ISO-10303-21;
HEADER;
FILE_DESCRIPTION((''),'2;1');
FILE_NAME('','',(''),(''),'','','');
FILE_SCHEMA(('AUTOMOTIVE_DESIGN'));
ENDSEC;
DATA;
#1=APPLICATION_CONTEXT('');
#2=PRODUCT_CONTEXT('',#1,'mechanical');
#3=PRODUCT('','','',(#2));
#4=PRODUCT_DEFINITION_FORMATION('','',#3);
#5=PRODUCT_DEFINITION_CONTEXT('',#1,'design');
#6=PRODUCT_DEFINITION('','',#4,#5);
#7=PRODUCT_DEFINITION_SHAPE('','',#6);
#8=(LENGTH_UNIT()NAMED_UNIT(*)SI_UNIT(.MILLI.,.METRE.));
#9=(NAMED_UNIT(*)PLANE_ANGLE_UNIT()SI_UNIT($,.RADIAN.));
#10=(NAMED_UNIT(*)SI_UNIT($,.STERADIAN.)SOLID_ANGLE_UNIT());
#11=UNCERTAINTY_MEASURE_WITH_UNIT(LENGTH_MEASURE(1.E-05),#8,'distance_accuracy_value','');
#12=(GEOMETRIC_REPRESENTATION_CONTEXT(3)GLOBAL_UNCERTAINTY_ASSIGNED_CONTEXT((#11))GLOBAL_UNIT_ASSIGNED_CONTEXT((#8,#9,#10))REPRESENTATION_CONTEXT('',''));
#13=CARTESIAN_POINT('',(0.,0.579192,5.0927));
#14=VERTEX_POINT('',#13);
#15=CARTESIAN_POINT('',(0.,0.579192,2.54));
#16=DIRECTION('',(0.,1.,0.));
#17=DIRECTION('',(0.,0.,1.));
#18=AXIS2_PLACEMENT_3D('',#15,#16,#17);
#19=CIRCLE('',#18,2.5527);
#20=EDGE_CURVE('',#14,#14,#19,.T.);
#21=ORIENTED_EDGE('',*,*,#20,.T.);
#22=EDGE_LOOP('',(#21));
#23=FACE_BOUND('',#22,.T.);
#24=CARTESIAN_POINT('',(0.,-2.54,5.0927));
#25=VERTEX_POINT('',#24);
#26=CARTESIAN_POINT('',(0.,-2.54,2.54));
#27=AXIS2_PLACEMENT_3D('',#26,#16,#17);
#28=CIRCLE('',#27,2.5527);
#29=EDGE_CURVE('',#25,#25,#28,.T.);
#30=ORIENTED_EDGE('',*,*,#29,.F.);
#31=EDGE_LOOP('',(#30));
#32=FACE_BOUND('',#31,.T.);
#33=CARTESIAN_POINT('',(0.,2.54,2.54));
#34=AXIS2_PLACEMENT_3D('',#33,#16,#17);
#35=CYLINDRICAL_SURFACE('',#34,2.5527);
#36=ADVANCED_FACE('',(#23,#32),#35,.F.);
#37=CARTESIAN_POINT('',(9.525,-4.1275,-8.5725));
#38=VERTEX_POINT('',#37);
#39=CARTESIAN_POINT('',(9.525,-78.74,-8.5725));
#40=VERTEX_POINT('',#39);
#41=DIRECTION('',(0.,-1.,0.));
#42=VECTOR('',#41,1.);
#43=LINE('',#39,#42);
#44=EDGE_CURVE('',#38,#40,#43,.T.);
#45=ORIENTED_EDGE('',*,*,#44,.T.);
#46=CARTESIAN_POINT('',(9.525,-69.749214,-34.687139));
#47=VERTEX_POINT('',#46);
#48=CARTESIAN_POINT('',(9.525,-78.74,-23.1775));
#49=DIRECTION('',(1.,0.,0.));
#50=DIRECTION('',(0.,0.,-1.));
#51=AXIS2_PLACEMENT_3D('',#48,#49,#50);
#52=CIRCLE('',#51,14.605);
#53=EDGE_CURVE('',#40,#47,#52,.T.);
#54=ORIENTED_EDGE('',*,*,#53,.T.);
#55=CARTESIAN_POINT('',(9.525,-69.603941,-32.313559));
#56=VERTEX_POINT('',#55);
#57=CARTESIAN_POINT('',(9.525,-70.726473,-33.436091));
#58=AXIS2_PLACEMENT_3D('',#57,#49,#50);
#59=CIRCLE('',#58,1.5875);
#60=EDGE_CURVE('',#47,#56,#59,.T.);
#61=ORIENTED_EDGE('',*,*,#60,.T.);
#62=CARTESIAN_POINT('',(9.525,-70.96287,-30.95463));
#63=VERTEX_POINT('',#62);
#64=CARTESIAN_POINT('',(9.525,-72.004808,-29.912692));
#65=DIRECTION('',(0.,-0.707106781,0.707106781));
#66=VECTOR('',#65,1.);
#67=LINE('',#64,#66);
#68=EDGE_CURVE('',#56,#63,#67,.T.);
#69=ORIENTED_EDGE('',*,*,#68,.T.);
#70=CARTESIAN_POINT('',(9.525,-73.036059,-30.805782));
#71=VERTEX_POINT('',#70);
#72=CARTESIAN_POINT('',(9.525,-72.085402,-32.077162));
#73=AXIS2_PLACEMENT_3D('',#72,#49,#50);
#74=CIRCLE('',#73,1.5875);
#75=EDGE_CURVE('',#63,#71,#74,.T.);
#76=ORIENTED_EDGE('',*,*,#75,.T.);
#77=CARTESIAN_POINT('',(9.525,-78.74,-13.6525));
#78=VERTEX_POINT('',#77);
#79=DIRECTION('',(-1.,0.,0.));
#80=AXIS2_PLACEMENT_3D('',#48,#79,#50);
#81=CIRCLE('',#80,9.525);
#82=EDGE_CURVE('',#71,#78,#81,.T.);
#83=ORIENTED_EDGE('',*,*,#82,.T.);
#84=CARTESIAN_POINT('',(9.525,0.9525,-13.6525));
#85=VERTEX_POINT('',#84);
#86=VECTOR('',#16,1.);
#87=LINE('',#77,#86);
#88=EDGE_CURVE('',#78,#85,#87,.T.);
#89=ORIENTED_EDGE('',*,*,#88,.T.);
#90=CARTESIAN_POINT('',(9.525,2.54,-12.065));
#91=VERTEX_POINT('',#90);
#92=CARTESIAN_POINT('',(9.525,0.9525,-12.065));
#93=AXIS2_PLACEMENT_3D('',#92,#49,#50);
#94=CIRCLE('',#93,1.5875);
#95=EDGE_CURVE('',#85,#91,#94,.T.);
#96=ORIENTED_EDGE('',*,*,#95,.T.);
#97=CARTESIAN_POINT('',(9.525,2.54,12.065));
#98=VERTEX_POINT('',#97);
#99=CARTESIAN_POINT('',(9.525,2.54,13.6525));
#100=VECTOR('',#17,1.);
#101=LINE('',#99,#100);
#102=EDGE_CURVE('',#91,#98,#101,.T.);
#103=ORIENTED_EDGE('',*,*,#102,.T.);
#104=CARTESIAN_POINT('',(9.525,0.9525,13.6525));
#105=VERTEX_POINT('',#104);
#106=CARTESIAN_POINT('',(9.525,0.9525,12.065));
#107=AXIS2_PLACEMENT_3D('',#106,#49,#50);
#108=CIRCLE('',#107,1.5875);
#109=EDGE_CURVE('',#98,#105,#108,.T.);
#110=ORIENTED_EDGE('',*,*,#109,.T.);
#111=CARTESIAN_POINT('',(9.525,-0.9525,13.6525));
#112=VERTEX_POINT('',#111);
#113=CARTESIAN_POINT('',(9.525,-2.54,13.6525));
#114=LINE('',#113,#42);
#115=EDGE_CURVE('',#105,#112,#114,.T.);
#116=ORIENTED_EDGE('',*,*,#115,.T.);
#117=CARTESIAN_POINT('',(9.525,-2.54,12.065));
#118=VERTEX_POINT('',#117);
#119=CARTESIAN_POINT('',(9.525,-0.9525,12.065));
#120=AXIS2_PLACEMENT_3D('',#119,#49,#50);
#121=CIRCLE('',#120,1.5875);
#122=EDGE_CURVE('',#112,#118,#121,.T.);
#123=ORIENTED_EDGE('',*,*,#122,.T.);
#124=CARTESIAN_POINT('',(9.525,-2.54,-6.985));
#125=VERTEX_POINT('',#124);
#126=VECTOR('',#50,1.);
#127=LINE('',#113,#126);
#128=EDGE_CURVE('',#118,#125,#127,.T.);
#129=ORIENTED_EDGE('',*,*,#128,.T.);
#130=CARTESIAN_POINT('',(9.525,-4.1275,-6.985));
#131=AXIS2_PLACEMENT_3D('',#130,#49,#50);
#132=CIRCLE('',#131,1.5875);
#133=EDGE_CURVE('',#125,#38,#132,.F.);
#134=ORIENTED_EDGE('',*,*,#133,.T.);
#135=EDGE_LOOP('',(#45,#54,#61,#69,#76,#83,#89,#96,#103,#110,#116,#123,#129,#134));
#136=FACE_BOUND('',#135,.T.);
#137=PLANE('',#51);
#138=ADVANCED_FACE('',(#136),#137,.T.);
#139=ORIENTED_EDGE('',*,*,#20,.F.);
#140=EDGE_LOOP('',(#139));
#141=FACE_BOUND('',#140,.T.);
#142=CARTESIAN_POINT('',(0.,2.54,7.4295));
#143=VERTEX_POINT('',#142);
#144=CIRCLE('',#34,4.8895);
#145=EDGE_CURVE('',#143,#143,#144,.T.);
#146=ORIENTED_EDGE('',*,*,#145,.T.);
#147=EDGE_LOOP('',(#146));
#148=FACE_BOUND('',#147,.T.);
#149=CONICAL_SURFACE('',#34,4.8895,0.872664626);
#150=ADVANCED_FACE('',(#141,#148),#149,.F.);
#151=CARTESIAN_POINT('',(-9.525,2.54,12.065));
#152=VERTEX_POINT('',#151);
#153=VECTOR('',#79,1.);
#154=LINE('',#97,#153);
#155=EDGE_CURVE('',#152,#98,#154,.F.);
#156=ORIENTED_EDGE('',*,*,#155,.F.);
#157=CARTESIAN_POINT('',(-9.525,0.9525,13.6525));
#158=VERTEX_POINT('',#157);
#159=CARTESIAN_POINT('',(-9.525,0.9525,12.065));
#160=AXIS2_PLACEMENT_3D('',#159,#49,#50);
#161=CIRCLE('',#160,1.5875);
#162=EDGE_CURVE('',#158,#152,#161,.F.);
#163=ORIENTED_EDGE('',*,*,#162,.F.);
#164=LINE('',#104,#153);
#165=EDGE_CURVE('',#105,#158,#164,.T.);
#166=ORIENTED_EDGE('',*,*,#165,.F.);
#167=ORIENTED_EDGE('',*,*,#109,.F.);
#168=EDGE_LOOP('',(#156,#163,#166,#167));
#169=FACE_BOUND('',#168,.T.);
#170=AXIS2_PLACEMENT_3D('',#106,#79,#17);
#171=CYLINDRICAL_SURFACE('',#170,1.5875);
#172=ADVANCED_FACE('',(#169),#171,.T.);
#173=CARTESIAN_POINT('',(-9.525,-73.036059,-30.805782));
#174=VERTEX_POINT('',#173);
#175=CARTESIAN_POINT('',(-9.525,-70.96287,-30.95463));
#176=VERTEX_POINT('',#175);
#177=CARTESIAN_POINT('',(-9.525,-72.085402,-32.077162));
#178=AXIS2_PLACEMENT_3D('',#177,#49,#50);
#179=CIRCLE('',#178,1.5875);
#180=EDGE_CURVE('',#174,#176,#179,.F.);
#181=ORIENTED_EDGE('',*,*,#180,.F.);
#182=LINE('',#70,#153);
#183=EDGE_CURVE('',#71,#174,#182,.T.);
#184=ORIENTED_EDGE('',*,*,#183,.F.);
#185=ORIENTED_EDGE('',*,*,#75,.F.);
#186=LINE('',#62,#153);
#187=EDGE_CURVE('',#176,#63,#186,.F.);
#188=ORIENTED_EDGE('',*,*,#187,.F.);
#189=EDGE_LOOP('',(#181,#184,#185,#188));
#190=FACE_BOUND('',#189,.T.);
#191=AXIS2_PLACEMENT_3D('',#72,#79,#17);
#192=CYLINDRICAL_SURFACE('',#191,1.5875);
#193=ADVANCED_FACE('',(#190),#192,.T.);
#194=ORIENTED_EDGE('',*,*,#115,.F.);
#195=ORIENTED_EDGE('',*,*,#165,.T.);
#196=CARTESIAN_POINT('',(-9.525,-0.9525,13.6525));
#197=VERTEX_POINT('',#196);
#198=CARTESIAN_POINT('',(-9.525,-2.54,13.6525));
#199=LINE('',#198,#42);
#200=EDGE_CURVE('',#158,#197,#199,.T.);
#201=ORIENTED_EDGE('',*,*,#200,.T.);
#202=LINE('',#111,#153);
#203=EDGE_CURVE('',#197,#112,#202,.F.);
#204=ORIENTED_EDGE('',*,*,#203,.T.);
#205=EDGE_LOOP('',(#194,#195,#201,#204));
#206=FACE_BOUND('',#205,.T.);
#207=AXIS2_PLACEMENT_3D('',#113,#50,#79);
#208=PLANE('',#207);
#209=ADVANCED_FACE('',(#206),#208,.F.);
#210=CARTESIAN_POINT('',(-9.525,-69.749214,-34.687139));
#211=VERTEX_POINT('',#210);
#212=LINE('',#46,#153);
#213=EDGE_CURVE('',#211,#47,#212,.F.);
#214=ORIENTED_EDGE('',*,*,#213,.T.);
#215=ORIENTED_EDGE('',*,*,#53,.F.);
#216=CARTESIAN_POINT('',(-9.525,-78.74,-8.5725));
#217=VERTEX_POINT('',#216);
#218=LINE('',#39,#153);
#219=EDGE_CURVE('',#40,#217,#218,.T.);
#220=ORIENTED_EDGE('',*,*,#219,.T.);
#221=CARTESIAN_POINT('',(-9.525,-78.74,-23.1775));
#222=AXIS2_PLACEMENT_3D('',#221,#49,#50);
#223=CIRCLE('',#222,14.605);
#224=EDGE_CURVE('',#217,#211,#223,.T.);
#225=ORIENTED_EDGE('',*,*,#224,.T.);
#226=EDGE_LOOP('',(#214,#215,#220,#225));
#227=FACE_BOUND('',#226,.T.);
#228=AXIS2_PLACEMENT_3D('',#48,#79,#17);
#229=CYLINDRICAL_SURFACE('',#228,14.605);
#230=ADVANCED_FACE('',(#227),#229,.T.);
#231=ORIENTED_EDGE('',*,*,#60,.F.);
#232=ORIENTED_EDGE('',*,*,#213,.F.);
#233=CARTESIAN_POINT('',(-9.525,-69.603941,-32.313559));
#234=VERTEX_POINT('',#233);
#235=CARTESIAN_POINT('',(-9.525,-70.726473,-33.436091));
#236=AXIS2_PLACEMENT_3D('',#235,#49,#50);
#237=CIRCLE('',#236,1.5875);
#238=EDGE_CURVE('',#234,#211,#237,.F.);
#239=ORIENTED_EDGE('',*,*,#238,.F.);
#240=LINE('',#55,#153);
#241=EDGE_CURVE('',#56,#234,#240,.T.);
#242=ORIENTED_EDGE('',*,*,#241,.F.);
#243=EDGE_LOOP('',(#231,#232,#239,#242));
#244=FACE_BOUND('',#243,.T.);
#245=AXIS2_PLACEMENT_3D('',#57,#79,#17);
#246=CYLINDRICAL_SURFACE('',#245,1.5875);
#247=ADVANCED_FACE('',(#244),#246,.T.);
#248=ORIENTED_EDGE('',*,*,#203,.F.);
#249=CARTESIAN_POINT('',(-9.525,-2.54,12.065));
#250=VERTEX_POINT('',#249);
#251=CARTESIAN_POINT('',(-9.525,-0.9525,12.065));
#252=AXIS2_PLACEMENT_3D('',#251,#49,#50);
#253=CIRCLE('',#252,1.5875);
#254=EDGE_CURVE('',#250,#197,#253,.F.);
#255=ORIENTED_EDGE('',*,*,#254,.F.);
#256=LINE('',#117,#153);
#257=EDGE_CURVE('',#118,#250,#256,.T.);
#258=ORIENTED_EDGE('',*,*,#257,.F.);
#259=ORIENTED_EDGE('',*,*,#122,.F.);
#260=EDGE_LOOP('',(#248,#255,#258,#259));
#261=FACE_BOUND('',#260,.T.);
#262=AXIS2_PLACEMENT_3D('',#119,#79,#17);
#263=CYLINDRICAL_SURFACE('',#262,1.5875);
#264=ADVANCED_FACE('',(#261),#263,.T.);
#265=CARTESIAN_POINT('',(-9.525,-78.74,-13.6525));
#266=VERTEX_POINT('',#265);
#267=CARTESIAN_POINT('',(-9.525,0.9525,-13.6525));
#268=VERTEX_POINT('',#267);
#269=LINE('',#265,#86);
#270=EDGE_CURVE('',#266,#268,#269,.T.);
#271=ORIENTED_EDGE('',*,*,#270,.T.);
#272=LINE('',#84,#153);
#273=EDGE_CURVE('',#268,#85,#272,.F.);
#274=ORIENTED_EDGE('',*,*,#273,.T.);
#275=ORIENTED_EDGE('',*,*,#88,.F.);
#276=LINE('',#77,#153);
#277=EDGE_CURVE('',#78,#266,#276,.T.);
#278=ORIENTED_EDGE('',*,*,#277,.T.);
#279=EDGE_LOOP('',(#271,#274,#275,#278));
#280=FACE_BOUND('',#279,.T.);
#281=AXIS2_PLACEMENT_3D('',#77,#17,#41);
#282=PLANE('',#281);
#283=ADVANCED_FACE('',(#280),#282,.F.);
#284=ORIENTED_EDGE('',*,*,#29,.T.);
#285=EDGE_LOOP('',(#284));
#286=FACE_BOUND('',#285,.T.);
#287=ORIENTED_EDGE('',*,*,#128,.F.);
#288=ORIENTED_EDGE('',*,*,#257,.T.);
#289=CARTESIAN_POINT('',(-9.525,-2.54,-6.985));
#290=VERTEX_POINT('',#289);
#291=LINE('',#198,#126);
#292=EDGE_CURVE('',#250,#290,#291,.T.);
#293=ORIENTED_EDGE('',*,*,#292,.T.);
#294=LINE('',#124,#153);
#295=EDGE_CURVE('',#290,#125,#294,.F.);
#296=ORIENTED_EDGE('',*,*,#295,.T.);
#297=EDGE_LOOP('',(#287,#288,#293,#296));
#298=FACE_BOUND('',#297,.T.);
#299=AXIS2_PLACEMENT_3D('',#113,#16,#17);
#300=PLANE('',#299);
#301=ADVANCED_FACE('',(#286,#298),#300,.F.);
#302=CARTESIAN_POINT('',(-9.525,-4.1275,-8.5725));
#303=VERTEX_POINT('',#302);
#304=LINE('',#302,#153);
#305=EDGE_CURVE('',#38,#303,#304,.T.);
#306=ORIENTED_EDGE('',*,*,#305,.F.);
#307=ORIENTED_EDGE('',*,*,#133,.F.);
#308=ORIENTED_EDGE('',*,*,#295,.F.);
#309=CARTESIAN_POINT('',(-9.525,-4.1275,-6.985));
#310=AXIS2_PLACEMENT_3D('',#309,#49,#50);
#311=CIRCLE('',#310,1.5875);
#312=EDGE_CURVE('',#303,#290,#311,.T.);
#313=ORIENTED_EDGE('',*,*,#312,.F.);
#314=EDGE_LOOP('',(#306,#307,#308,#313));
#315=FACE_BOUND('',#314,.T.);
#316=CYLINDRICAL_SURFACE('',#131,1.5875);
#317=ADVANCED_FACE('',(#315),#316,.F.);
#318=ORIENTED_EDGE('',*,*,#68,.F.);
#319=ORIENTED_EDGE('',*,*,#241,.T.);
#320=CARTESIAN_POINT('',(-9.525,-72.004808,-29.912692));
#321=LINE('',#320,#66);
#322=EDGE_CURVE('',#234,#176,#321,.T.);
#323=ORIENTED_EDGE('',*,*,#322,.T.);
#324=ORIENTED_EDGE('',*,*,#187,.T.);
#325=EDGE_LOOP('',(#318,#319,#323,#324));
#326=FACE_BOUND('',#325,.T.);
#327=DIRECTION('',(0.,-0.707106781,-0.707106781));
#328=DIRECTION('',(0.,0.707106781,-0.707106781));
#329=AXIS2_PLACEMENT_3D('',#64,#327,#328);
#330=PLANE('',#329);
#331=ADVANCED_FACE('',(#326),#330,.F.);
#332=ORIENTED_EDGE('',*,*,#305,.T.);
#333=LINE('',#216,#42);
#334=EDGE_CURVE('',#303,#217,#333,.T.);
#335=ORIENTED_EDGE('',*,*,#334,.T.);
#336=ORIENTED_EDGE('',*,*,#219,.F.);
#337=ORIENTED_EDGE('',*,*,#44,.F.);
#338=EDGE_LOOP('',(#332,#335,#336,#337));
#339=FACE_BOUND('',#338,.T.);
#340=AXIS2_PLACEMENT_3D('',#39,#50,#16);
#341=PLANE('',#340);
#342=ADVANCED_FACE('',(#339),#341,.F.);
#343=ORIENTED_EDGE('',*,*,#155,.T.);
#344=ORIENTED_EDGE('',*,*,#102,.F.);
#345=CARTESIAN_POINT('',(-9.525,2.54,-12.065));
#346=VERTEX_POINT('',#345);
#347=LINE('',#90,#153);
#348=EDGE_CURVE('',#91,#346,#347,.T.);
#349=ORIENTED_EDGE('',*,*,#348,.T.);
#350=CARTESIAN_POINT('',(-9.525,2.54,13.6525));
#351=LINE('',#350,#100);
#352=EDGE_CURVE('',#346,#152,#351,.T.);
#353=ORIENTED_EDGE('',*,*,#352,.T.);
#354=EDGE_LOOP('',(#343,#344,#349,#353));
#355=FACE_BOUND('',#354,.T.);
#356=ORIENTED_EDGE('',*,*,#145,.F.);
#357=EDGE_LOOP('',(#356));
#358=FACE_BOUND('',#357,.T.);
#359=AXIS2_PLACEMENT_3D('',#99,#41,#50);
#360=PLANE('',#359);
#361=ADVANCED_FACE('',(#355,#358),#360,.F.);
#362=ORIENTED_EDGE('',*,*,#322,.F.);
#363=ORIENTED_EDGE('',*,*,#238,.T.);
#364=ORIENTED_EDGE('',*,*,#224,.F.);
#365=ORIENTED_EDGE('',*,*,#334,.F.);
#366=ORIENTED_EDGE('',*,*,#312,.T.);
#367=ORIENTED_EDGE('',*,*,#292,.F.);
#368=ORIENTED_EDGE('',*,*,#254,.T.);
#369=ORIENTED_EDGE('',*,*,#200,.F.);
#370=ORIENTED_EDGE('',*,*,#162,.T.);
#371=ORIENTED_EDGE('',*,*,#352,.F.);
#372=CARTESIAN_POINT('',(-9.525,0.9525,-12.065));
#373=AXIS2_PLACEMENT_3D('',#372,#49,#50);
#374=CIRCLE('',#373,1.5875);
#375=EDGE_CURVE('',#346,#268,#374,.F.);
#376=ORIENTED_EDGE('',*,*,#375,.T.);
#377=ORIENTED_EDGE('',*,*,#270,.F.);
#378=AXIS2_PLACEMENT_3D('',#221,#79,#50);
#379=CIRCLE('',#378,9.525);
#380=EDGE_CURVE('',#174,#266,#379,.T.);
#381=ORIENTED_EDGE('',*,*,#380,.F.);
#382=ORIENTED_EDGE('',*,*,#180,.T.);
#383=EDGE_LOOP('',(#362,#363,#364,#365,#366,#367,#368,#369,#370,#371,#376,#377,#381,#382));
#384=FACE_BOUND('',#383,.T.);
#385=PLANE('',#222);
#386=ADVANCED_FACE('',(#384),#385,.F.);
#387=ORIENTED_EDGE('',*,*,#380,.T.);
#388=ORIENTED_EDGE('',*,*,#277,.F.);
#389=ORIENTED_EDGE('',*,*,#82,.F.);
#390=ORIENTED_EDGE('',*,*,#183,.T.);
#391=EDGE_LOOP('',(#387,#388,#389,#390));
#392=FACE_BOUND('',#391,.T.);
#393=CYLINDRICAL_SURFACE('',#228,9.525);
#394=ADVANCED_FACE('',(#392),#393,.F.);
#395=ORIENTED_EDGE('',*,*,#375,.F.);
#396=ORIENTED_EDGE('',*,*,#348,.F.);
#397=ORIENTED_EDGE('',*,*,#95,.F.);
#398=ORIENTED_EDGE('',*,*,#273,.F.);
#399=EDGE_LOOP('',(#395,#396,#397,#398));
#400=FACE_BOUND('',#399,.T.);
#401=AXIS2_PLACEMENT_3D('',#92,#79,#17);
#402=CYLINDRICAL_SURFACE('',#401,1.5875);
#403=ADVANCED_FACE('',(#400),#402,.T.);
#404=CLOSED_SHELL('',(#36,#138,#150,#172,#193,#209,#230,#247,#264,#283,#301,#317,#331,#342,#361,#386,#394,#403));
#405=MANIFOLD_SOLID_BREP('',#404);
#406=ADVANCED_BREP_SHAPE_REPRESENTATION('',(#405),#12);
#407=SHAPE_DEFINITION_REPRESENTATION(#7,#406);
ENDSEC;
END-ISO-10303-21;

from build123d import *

# Parameters (mm, degrees)
BOSS_EXTRUDE1_DEPTH                                = 9.525
FILLET1_R                                          = 1.5875
CSK_FOR_10_FLAT_HEAD_MACHINE_SCREW_100_D           = 5.1054
CSK_FOR_10_FLAT_HEAD_MACHINE_SCREW_100_CSINK_D     = 9.779
CSK_FOR_10_FLAT_HEAD_MACHINE_SCREW_100_CSINK_ANGLE = 100


with BuildPart() as part:
    # Sketch1 → Boss-Extrude1 (new body, symmetric)
    with BuildSketch(Plane(origin=(0, 0, 0), x_dir=(0, 0, -1), z_dir=(1, 0, 0))):
        with BuildLine():
            Line((-13.6525, -2.54), (8.5725, -2.54))
            Line((8.5725, -2.54), (8.5725, -78.74))
            ThreePointArc((8.5725, -78.74), (28.76659153, -92.233260572), (33.504794539, -68.412705461))
            Line((33.504794539, -68.412705461), (29.912692091, -72.004807909))
            ThreePointArc((29.912692091, -72.004807909), (26.822559693, -87.539952547), (13.6525, -78.74))
            Line((13.6525, -78.74), (13.6525, 2.54))
            Line((13.6525, 2.54), (-13.6525, 2.54))
            Line((-13.6525, 2.54), (-13.6525, -2.54))
        make_face()
    extrude(amount=BOSS_EXTRUDE1_DEPTH, both=True)

    # Fillet1
    fillet1_edges = [part.edges().sort_by_distance(p)[0] for p in [
        (0, -72.004807909, -29.912692091),
        (0, -68.412705461, -33.504794539),
        (0, -2.54, -8.5725),
        (0, -2.54, 13.6525),
        (0, 2.54, 13.6525),
        (0, 2.54, -13.6525),
    ]]
    fillet(fillet1_edges, radius=FILLET1_R)

    # CSK for #10 Flat Head Machine Screw (100)1 (through all)
    with Locations(Plane(origin=(0, 2.54, 2.54), x_dir=(0, 0, 1), z_dir=(0, 1, 0))):
        with Locations((0, 0)):
            CounterSinkHole(CSK_FOR_10_FLAT_HEAD_MACHINE_SCREW_100_D / 2, CSK_FOR_10_FLAT_HEAD_MACHINE_SCREW_100_CSINK_D / 2, counter_sink_angle=CSK_FOR_10_FLAT_HEAD_MACHINE_SCREW_100_CSINK_ANGLE)


solid = part.part
